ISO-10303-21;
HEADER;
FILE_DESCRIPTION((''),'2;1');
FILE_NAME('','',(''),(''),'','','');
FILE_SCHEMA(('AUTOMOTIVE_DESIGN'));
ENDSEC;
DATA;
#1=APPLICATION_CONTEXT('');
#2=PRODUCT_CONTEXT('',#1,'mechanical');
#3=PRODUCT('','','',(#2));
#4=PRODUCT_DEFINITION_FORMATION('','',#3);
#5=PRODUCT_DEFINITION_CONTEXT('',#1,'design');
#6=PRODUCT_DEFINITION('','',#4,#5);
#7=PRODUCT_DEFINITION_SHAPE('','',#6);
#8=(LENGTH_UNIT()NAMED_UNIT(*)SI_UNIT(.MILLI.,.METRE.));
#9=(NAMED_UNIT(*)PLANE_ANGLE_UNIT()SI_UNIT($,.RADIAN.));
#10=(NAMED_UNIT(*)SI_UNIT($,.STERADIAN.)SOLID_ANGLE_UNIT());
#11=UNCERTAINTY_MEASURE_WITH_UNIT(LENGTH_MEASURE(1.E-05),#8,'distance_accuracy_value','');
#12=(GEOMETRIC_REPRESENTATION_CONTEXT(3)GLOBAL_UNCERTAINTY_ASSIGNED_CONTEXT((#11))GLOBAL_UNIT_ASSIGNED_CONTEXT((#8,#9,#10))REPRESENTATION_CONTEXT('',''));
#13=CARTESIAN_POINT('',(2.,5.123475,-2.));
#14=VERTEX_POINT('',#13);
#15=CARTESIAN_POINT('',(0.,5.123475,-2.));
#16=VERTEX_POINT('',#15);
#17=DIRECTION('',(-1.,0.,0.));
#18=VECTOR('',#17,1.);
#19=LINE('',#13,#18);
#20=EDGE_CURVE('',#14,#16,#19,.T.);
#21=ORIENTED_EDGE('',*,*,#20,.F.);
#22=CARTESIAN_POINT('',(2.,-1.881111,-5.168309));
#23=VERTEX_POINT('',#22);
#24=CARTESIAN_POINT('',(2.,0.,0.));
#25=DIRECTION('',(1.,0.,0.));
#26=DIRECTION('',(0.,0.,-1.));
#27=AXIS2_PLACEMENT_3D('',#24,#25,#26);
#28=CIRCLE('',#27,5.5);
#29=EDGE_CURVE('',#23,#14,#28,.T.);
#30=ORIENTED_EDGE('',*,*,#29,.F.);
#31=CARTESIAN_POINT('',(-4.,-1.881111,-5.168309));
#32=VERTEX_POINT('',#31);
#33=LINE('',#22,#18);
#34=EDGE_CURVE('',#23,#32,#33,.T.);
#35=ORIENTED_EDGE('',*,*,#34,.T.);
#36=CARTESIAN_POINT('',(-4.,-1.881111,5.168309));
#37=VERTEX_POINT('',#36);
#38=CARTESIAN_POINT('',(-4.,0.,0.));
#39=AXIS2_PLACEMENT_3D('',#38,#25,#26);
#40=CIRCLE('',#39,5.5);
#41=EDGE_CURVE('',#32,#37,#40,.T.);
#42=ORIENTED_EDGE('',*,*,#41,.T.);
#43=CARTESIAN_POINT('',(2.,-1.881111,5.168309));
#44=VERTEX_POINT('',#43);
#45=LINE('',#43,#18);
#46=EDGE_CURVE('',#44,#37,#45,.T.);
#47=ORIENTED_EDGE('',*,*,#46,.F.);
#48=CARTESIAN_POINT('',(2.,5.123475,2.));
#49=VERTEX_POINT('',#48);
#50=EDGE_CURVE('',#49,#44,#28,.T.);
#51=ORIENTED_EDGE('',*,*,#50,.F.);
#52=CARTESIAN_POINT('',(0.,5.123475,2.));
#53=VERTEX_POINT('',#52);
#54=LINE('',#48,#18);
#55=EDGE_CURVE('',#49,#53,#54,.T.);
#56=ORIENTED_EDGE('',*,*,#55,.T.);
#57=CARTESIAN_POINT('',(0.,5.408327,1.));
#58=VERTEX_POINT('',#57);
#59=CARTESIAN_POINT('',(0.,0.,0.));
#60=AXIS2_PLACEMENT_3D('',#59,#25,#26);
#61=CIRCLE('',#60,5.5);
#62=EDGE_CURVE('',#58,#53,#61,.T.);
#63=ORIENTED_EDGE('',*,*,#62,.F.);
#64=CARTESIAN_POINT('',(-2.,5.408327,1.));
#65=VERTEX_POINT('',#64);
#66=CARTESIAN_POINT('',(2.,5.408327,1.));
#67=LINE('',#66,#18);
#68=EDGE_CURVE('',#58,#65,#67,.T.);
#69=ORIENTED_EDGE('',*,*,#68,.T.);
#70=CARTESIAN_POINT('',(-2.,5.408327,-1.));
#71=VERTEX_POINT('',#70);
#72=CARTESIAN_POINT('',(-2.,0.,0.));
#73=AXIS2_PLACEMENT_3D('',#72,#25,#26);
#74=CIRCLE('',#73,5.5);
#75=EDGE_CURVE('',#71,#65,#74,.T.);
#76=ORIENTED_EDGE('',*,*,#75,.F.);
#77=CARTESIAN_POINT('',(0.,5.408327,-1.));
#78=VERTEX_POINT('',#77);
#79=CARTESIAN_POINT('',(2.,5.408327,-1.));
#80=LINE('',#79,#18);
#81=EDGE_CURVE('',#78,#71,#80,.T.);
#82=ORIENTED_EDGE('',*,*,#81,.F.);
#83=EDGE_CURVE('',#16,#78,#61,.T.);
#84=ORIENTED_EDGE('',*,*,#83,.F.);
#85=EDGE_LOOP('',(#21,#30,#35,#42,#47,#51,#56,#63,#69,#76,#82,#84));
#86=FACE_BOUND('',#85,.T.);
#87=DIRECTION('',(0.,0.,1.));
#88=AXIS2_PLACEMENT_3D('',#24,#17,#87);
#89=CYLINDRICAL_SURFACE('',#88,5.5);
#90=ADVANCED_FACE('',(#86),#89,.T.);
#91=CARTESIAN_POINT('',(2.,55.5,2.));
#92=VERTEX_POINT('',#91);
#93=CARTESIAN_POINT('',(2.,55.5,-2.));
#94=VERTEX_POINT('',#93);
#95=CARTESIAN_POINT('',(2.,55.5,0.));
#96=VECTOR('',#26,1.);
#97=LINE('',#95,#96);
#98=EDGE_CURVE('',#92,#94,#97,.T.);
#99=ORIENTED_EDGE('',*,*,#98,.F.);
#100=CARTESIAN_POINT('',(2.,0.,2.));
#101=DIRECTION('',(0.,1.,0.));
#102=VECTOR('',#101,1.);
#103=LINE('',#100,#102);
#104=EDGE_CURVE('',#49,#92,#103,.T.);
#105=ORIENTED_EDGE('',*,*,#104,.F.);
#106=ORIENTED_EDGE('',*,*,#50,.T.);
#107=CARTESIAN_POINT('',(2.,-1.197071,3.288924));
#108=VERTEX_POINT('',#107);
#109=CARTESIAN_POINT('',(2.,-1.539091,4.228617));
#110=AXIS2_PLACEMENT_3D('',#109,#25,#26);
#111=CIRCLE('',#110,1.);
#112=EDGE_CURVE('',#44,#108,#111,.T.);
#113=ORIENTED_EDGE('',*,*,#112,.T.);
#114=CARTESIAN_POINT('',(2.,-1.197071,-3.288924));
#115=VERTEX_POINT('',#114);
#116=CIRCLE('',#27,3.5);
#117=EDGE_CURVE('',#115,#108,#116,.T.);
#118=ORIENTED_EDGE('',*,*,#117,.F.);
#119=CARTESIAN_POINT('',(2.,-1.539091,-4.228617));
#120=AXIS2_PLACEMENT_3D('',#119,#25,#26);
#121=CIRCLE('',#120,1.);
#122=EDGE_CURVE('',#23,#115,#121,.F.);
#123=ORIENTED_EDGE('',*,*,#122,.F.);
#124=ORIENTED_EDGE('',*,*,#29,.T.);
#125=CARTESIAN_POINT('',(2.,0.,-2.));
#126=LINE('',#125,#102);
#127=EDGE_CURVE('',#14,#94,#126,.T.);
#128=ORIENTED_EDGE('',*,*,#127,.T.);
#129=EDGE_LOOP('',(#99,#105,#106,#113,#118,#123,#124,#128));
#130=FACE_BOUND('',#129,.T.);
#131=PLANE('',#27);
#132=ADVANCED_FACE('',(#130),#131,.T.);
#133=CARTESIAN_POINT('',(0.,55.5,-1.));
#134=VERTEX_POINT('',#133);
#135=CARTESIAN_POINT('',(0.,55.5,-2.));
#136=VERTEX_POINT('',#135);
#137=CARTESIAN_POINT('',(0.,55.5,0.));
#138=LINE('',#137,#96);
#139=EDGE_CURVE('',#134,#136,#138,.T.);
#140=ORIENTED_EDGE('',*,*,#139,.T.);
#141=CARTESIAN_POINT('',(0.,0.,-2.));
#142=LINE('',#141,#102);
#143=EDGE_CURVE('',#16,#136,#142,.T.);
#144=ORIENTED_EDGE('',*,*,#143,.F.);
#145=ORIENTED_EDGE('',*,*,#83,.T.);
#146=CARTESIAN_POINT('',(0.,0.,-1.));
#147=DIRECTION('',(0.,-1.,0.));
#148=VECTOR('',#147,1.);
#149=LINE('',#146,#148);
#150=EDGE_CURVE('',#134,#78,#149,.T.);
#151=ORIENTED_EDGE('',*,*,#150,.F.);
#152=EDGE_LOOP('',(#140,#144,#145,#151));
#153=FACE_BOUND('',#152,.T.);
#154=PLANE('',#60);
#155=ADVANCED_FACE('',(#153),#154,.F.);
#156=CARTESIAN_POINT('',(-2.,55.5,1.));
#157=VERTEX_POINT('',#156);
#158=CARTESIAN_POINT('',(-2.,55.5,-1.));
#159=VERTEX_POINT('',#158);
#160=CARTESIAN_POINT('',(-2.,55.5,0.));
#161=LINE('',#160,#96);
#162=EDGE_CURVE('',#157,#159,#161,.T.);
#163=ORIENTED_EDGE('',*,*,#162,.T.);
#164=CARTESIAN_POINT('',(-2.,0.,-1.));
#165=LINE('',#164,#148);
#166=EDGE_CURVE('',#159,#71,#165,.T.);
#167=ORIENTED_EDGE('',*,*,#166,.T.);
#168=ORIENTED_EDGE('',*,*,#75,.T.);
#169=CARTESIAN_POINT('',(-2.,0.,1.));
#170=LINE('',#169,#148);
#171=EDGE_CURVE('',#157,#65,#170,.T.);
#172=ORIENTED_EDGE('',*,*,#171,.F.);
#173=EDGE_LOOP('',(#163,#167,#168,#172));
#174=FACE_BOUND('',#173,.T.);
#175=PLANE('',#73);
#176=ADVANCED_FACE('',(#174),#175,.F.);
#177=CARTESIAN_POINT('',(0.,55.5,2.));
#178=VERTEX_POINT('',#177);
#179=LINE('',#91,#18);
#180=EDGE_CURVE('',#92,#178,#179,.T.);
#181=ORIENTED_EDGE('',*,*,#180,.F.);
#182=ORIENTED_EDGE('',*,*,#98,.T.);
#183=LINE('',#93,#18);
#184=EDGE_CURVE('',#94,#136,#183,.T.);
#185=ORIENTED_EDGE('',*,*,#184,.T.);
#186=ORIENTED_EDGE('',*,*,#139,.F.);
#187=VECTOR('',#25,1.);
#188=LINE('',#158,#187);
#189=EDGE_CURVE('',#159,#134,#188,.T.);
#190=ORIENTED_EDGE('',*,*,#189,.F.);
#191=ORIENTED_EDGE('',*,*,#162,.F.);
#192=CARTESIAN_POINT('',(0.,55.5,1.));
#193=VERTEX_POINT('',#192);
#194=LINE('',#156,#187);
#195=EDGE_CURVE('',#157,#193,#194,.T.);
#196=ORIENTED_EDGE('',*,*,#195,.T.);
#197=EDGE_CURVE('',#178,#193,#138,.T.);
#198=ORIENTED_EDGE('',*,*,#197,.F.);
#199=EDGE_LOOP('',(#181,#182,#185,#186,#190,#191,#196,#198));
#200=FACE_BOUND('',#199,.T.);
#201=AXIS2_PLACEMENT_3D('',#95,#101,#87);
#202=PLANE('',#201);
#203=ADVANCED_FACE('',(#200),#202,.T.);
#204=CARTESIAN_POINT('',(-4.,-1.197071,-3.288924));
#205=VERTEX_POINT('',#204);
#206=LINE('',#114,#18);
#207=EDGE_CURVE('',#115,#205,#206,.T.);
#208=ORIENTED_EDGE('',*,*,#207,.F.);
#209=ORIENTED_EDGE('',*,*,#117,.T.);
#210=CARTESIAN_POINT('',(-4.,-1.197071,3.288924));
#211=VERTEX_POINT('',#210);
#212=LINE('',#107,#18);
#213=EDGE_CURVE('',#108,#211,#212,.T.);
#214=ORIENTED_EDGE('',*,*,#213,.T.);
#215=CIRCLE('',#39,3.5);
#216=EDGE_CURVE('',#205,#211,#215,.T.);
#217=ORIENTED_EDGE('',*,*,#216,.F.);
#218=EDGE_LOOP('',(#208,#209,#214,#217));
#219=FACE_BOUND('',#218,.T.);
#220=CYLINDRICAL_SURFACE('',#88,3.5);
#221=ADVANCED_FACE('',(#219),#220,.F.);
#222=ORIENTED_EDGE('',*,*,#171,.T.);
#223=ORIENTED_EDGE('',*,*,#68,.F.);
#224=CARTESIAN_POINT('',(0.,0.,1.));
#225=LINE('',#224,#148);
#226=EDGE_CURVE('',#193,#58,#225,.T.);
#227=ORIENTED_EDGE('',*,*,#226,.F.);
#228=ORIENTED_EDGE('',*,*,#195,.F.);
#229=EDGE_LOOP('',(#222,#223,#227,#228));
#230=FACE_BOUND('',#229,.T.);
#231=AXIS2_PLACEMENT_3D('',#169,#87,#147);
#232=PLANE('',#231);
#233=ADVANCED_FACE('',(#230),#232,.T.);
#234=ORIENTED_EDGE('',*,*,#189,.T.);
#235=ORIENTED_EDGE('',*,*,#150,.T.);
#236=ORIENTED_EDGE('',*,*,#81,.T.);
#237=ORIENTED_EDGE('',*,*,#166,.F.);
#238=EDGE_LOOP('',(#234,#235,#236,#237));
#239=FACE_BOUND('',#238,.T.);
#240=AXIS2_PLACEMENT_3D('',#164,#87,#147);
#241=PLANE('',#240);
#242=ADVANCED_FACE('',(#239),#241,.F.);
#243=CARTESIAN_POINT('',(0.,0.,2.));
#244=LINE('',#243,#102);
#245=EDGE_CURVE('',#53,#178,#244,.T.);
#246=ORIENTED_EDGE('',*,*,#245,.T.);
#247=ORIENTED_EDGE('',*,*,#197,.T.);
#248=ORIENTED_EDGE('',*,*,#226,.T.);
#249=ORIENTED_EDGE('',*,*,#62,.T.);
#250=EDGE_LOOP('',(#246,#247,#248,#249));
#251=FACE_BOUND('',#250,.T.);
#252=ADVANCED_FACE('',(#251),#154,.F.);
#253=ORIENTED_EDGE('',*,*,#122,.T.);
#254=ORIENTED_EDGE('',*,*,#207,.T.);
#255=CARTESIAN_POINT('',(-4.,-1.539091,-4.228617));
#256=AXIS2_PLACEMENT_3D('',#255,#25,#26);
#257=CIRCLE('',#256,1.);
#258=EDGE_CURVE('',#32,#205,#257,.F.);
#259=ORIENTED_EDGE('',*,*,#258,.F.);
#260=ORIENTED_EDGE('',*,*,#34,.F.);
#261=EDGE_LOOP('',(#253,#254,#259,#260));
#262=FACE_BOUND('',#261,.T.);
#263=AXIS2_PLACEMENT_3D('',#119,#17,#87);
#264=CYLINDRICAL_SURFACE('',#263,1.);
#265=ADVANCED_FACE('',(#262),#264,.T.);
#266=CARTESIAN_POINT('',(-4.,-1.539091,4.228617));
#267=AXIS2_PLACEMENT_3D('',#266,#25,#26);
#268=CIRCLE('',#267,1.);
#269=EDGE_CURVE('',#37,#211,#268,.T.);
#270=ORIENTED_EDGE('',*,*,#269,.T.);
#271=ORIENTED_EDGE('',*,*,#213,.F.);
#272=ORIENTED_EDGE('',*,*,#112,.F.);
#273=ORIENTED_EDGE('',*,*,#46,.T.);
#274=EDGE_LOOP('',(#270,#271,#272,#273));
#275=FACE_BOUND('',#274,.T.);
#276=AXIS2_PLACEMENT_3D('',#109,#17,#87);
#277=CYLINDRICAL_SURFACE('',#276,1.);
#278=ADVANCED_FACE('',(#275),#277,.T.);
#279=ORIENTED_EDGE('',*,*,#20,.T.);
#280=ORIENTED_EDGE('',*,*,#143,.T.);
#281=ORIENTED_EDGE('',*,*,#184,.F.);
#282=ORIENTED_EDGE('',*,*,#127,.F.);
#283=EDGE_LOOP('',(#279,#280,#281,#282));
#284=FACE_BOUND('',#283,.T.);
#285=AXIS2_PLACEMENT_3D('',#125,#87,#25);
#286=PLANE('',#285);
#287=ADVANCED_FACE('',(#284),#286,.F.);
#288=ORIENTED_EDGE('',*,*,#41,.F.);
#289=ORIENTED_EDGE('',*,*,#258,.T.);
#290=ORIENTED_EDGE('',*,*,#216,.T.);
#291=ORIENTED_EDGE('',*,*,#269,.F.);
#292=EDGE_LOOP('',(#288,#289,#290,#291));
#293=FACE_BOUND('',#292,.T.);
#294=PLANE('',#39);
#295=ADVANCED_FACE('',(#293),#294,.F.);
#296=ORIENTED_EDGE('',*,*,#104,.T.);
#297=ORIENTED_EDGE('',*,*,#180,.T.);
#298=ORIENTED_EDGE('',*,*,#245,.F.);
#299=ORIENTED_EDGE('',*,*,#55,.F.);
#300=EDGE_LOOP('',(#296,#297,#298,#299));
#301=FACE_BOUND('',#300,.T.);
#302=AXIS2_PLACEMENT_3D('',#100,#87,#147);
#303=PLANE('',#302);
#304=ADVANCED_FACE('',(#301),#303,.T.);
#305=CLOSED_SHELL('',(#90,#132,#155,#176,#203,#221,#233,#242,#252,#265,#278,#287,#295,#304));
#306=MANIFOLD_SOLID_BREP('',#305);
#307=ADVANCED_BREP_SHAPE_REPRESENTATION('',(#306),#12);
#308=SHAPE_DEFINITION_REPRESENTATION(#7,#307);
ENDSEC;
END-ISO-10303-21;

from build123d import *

# Parameters (mm, degrees)
BOSS_EXTRUDE1_DEPTH      = 2
BOSS_EXTRUDE1_DEPTH_BACK = 4
BOSS_EXTRUDE2_DEPTH      = 2
BOSS_EXTRUDE3_DEPTH      = 2


with BuildPart() as part:
    # Sketch1 → Boss-Extrude1 (new, two sides: drawn at the far end of the back side and taken through both)
    with BuildSketch(Plane(origin=(0, 0, 0), x_dir=(0, 0, -1), z_dir=(1, 0, 0)).offset(-BOSS_EXTRUDE1_DEPTH_BACK)):
        with BuildLine():
            Line((-5.5, 0), (-3.5, 0))
            ThreePointArc((-3.5, 0), (0, 3.5), (3.5, 0))
            ThreePointArc((3.5, 0), (3.446827136, -0.607768622), (3.288924173, -1.197070502))
            Line((3.288924173, -1.197070502), (5.168309414, -1.881110788))
            ThreePointArc((5.168309414, -1.881110788), (5.416442642, -0.955064977), (5.5, 0))
            ThreePointArc((5.5, 0), (0, 5.5), (-5.5, 0))
        make_face()
        with BuildLine():
            Line((5.168309414, -1.881110788), (3.288924173, -1.197070502))
            ThreePointArc((3.288924173, -1.197070502), (3.88659665, -2.478783266), (5.168309414, -1.881110788))
        make_face()
        with BuildLine():
            ThreePointArc((-3.288924173, -1.197070502), (-3.446827136, -0.607768622), (-3.5, 0))
            Line((-3.5, 0), (-5.5, 0))
            ThreePointArc((-5.5, 0), (-5.416442642, -0.955064977), (-5.168309414, -1.881110788))
            Line((-5.168309414, -1.881110788), (-4.228616794, -1.539090645))
            Line((-4.228616794, -1.539090645), (-3.288924173, -1.197070502))
        make_face()
        with BuildLine():
            ThreePointArc((-5.168309414, -1.881110788), (-3.88659665, -2.478783266), (-3.288924173, -1.197070502))
            Line((-3.288924173, -1.197070502), (-4.228616794, -1.539090645))
            Line((-4.228616794, -1.539090645), (-5.168309414, -1.881110788))
        make_face()
    extrude(amount=BOSS_EXTRUDE1_DEPTH + BOSS_EXTRUDE1_DEPTH_BACK)

    # Sketch2 → Boss-Extrude2 (add)
    with BuildSketch(Plane(origin=(0, 0, 0), x_dir=(0, 0, -1), z_dir=(1, 0, 0))):
        Polygon((-2, 3.5), (0, 3.5), (2, 3.5), (2, 55.5), (-2, 55.5), align=None)
    extrude(amount=BOSS_EXTRUDE2_DEPTH)

    # Sketch3 → Boss-Extrude3 (add)
    with BuildSketch(Plane(origin=(0, 0, 0), x_dir=(0, 0, -1), z_dir=(1, 0, 0))):
        Polygon((1, 55.5), (0, 55.5), (-1, 55.5), (-1, 3.5), (1, 3.5), align=None)
    extrude(amount=-BOSS_EXTRUDE3_DEPTH)


solid = part.part
